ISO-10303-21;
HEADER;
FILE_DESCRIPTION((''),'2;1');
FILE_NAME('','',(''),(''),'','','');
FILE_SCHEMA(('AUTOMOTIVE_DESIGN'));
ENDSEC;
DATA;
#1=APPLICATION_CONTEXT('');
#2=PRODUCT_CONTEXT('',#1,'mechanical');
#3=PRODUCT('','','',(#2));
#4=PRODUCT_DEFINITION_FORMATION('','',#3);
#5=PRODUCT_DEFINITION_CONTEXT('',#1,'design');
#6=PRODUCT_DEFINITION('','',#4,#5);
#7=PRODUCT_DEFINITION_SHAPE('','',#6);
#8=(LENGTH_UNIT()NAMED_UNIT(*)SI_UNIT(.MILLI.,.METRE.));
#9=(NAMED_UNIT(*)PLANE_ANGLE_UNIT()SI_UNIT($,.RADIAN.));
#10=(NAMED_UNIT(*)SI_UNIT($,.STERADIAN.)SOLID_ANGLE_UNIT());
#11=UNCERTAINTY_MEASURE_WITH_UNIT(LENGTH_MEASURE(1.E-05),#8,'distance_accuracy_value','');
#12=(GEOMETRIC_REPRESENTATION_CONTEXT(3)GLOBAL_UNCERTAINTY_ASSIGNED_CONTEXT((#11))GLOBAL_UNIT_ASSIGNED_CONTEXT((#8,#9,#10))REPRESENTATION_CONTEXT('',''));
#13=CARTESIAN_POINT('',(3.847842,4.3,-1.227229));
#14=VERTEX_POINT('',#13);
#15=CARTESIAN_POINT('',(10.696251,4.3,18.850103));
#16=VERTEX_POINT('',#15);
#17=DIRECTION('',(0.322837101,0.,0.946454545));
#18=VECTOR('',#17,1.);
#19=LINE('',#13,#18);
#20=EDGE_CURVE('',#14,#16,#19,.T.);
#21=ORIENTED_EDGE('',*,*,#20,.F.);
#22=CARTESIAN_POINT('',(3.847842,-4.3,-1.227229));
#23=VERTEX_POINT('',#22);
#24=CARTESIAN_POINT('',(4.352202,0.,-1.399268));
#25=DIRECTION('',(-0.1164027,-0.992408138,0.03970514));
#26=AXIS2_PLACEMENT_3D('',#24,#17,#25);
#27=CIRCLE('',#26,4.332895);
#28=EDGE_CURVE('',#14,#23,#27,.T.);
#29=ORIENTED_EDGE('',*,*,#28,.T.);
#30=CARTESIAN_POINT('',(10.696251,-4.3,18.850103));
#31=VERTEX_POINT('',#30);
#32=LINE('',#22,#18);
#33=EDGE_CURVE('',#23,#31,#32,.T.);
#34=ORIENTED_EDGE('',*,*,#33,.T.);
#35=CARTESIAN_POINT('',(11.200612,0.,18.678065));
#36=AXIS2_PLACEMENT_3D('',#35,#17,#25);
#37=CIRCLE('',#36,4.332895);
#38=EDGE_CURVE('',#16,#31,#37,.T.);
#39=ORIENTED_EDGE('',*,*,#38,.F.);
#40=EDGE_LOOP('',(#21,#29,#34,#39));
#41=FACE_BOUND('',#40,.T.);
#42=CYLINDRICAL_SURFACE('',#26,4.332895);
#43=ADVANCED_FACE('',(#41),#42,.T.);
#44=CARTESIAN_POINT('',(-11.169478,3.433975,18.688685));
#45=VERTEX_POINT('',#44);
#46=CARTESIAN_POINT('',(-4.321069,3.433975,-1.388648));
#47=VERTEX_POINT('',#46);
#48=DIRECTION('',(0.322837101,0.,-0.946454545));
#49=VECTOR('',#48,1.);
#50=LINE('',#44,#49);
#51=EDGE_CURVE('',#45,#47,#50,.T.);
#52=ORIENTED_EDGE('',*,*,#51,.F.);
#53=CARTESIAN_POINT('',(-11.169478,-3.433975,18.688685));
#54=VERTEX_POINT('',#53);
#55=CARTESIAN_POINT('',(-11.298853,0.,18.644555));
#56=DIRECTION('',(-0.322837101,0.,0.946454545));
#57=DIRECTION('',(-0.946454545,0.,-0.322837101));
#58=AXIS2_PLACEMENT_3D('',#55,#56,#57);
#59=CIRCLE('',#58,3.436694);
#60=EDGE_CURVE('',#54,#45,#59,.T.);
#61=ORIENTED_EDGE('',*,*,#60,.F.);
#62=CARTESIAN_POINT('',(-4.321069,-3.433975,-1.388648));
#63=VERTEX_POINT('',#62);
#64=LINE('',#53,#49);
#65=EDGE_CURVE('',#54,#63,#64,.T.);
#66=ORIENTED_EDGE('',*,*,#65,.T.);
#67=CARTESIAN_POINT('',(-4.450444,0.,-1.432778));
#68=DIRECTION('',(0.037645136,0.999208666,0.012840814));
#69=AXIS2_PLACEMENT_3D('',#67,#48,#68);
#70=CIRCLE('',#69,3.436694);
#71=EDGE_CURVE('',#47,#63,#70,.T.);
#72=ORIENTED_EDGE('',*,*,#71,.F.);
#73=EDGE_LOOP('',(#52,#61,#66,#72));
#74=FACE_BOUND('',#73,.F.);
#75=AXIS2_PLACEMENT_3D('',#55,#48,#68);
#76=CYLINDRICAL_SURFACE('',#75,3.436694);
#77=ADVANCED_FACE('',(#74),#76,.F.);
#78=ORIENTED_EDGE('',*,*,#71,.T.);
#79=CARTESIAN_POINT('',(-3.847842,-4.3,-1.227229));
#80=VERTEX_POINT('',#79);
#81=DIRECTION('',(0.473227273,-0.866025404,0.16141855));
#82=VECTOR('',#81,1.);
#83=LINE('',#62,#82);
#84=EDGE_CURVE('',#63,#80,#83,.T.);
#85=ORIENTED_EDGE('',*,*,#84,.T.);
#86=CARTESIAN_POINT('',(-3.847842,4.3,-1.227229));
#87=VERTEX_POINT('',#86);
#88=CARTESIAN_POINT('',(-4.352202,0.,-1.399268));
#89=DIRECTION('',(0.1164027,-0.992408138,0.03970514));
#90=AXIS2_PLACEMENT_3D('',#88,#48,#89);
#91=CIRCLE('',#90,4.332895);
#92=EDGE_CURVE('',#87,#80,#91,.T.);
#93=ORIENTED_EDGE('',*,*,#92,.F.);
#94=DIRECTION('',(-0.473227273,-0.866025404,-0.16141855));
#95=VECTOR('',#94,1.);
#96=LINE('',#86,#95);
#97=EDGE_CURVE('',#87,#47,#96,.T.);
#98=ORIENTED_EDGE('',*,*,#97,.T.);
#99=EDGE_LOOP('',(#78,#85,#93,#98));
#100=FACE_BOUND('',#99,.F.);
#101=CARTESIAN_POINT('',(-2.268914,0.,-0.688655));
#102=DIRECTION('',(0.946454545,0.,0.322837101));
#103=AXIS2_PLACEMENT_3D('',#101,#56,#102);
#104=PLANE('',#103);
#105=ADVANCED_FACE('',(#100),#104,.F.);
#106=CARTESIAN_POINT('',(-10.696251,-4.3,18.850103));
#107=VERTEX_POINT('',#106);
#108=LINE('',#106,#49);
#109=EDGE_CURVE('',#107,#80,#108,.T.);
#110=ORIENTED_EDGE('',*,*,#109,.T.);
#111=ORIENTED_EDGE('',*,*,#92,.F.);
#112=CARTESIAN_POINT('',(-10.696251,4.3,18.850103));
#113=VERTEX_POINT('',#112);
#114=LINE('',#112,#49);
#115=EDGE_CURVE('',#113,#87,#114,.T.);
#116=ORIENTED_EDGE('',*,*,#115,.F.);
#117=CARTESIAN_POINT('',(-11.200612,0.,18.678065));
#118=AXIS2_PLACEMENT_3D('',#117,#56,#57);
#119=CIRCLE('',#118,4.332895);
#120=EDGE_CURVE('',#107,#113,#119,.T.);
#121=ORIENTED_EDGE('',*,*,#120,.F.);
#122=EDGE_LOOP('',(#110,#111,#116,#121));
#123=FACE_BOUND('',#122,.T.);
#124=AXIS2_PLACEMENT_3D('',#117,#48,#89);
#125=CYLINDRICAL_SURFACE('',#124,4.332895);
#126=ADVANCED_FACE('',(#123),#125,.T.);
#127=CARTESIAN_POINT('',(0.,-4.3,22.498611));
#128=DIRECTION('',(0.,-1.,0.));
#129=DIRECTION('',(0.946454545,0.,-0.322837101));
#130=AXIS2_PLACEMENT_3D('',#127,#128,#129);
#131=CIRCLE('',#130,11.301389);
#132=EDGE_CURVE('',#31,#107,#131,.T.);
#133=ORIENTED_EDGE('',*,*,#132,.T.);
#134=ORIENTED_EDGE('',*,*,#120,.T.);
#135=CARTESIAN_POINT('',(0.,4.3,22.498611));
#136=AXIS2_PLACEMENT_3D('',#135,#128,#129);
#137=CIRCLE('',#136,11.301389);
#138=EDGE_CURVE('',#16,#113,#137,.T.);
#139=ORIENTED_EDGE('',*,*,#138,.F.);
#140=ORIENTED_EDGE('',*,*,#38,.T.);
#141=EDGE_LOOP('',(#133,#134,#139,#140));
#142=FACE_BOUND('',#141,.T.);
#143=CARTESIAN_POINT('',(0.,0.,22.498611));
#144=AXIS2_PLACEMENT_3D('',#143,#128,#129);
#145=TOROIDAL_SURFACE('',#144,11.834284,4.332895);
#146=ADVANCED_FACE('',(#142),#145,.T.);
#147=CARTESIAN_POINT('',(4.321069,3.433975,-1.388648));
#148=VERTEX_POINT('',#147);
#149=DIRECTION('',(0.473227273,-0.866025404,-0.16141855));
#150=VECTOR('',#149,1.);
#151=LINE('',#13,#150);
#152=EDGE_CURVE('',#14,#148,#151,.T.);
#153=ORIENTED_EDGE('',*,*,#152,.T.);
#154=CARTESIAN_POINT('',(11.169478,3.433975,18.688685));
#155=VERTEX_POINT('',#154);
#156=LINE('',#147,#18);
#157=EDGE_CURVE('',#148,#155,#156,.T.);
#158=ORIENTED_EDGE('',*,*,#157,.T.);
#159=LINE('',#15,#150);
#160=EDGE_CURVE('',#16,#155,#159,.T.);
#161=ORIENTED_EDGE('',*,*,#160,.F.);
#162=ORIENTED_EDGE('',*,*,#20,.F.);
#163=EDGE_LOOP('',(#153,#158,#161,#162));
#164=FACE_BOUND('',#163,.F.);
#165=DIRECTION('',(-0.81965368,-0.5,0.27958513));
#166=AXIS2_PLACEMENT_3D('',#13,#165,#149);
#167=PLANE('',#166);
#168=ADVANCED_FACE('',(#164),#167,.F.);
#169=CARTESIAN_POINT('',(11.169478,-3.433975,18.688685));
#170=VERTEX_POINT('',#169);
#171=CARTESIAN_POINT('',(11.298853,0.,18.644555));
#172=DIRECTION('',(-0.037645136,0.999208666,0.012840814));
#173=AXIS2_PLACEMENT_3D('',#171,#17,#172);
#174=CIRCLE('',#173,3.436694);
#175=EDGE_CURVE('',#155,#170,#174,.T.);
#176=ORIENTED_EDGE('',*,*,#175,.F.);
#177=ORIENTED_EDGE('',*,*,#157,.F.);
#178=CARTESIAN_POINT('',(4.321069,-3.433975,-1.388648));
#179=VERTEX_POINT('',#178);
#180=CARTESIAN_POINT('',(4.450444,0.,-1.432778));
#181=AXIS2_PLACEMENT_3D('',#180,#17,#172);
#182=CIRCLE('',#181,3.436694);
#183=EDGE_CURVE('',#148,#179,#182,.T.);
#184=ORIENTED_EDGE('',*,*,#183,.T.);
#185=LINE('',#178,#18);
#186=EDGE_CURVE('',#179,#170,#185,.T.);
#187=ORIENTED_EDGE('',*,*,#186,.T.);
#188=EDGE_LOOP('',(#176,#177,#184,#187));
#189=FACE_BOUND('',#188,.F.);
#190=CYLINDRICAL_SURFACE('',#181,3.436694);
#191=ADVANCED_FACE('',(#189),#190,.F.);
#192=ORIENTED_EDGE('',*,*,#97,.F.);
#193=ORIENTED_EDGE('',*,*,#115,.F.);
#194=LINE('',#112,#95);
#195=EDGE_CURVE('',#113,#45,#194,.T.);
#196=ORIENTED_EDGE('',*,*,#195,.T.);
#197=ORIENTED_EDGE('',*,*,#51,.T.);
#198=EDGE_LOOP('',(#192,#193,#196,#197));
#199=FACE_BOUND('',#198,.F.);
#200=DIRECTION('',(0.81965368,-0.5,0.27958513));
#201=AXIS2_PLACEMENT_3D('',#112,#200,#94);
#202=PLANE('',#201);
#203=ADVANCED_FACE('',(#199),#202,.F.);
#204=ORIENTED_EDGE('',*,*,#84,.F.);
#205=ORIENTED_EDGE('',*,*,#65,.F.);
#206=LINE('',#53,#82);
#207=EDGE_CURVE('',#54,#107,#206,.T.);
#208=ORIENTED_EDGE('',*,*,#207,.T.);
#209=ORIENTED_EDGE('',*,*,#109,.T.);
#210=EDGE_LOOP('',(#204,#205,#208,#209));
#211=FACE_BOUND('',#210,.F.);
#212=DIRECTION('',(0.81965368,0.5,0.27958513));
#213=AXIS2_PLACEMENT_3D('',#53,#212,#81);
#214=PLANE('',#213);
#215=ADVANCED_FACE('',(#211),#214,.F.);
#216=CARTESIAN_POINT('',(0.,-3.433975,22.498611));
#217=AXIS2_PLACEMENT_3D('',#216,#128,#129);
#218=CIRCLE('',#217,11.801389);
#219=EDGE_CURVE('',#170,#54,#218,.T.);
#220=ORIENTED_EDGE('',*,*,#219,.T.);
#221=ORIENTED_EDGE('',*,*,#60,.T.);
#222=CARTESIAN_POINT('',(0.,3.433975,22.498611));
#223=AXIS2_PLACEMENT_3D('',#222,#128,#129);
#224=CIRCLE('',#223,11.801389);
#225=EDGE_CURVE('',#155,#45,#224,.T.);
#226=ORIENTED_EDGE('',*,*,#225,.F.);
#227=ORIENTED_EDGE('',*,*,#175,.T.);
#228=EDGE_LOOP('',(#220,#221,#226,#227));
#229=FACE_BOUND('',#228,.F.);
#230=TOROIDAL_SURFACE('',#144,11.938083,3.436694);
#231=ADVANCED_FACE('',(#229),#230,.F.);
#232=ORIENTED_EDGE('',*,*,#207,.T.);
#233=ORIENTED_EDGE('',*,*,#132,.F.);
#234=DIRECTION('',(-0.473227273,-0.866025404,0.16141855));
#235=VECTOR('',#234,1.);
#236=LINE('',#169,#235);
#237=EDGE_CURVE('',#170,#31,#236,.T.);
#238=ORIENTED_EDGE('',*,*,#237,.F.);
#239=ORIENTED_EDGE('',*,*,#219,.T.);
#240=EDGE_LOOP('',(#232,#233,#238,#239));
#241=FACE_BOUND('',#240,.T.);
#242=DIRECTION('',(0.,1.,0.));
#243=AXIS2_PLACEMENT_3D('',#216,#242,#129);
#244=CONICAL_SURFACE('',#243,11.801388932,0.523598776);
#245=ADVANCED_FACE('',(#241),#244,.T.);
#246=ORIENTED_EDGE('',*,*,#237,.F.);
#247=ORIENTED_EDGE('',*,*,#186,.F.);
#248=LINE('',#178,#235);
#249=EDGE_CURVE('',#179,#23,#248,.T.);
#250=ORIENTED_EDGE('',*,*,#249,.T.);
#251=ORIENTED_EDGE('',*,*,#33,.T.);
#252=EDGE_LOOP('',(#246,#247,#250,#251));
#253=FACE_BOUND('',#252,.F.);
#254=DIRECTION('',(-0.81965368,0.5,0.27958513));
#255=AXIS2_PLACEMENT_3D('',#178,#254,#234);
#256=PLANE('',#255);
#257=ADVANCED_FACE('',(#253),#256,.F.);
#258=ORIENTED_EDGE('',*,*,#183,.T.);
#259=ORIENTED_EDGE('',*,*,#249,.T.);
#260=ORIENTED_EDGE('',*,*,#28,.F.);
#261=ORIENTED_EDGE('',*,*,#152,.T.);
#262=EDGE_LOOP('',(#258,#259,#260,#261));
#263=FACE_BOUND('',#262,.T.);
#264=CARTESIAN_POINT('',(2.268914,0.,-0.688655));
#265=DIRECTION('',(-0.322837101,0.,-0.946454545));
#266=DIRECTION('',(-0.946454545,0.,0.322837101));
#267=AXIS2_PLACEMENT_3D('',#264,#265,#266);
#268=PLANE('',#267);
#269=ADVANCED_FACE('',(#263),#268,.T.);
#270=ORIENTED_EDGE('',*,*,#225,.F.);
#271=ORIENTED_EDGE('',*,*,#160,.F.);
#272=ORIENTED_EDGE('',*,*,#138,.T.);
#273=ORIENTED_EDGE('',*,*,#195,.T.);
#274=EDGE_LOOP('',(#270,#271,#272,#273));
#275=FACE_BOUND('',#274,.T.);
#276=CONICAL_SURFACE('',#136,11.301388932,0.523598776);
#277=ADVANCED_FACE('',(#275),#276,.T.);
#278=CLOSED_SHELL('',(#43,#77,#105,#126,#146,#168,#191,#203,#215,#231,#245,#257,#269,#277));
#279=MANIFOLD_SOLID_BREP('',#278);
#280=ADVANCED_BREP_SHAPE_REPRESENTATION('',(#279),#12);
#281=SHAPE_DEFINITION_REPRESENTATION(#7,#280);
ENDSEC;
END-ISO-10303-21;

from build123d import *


with BuildPart() as f2:
    # F2: sweep along a path in F0
    with BuildLine(Plane.XZ) as f2_path:
        Line((0.25, 0), (7.0984090905, 20.0773328141))
        ThreePointArc((7.0984090905, 20.0773328141), (0, 29.9986110682), (-7.0984090905, 20.0773328141))
        Line((-7.0984090905, 20.0773328141), (-0.25, 0))
    # F1 (on Right) → F2 (sweep)
    with BuildSketch(Plane.YZ):
        with BuildLine():
            ThreePointArc((-4.3, 33.8), (0, 30), (4.3, 33.8))
            Line((4.3, 33.8), (3.4339745962, 34.3))
            ThreePointArc((3.4339745962, 34.3), (0, 31), (-3.4339745962, 34.3))
            Line((-3.4339745962, 34.3), (-4.3, 33.8))
        make_face()
    sweep(path=f2_path.line)


solid = f2.part
